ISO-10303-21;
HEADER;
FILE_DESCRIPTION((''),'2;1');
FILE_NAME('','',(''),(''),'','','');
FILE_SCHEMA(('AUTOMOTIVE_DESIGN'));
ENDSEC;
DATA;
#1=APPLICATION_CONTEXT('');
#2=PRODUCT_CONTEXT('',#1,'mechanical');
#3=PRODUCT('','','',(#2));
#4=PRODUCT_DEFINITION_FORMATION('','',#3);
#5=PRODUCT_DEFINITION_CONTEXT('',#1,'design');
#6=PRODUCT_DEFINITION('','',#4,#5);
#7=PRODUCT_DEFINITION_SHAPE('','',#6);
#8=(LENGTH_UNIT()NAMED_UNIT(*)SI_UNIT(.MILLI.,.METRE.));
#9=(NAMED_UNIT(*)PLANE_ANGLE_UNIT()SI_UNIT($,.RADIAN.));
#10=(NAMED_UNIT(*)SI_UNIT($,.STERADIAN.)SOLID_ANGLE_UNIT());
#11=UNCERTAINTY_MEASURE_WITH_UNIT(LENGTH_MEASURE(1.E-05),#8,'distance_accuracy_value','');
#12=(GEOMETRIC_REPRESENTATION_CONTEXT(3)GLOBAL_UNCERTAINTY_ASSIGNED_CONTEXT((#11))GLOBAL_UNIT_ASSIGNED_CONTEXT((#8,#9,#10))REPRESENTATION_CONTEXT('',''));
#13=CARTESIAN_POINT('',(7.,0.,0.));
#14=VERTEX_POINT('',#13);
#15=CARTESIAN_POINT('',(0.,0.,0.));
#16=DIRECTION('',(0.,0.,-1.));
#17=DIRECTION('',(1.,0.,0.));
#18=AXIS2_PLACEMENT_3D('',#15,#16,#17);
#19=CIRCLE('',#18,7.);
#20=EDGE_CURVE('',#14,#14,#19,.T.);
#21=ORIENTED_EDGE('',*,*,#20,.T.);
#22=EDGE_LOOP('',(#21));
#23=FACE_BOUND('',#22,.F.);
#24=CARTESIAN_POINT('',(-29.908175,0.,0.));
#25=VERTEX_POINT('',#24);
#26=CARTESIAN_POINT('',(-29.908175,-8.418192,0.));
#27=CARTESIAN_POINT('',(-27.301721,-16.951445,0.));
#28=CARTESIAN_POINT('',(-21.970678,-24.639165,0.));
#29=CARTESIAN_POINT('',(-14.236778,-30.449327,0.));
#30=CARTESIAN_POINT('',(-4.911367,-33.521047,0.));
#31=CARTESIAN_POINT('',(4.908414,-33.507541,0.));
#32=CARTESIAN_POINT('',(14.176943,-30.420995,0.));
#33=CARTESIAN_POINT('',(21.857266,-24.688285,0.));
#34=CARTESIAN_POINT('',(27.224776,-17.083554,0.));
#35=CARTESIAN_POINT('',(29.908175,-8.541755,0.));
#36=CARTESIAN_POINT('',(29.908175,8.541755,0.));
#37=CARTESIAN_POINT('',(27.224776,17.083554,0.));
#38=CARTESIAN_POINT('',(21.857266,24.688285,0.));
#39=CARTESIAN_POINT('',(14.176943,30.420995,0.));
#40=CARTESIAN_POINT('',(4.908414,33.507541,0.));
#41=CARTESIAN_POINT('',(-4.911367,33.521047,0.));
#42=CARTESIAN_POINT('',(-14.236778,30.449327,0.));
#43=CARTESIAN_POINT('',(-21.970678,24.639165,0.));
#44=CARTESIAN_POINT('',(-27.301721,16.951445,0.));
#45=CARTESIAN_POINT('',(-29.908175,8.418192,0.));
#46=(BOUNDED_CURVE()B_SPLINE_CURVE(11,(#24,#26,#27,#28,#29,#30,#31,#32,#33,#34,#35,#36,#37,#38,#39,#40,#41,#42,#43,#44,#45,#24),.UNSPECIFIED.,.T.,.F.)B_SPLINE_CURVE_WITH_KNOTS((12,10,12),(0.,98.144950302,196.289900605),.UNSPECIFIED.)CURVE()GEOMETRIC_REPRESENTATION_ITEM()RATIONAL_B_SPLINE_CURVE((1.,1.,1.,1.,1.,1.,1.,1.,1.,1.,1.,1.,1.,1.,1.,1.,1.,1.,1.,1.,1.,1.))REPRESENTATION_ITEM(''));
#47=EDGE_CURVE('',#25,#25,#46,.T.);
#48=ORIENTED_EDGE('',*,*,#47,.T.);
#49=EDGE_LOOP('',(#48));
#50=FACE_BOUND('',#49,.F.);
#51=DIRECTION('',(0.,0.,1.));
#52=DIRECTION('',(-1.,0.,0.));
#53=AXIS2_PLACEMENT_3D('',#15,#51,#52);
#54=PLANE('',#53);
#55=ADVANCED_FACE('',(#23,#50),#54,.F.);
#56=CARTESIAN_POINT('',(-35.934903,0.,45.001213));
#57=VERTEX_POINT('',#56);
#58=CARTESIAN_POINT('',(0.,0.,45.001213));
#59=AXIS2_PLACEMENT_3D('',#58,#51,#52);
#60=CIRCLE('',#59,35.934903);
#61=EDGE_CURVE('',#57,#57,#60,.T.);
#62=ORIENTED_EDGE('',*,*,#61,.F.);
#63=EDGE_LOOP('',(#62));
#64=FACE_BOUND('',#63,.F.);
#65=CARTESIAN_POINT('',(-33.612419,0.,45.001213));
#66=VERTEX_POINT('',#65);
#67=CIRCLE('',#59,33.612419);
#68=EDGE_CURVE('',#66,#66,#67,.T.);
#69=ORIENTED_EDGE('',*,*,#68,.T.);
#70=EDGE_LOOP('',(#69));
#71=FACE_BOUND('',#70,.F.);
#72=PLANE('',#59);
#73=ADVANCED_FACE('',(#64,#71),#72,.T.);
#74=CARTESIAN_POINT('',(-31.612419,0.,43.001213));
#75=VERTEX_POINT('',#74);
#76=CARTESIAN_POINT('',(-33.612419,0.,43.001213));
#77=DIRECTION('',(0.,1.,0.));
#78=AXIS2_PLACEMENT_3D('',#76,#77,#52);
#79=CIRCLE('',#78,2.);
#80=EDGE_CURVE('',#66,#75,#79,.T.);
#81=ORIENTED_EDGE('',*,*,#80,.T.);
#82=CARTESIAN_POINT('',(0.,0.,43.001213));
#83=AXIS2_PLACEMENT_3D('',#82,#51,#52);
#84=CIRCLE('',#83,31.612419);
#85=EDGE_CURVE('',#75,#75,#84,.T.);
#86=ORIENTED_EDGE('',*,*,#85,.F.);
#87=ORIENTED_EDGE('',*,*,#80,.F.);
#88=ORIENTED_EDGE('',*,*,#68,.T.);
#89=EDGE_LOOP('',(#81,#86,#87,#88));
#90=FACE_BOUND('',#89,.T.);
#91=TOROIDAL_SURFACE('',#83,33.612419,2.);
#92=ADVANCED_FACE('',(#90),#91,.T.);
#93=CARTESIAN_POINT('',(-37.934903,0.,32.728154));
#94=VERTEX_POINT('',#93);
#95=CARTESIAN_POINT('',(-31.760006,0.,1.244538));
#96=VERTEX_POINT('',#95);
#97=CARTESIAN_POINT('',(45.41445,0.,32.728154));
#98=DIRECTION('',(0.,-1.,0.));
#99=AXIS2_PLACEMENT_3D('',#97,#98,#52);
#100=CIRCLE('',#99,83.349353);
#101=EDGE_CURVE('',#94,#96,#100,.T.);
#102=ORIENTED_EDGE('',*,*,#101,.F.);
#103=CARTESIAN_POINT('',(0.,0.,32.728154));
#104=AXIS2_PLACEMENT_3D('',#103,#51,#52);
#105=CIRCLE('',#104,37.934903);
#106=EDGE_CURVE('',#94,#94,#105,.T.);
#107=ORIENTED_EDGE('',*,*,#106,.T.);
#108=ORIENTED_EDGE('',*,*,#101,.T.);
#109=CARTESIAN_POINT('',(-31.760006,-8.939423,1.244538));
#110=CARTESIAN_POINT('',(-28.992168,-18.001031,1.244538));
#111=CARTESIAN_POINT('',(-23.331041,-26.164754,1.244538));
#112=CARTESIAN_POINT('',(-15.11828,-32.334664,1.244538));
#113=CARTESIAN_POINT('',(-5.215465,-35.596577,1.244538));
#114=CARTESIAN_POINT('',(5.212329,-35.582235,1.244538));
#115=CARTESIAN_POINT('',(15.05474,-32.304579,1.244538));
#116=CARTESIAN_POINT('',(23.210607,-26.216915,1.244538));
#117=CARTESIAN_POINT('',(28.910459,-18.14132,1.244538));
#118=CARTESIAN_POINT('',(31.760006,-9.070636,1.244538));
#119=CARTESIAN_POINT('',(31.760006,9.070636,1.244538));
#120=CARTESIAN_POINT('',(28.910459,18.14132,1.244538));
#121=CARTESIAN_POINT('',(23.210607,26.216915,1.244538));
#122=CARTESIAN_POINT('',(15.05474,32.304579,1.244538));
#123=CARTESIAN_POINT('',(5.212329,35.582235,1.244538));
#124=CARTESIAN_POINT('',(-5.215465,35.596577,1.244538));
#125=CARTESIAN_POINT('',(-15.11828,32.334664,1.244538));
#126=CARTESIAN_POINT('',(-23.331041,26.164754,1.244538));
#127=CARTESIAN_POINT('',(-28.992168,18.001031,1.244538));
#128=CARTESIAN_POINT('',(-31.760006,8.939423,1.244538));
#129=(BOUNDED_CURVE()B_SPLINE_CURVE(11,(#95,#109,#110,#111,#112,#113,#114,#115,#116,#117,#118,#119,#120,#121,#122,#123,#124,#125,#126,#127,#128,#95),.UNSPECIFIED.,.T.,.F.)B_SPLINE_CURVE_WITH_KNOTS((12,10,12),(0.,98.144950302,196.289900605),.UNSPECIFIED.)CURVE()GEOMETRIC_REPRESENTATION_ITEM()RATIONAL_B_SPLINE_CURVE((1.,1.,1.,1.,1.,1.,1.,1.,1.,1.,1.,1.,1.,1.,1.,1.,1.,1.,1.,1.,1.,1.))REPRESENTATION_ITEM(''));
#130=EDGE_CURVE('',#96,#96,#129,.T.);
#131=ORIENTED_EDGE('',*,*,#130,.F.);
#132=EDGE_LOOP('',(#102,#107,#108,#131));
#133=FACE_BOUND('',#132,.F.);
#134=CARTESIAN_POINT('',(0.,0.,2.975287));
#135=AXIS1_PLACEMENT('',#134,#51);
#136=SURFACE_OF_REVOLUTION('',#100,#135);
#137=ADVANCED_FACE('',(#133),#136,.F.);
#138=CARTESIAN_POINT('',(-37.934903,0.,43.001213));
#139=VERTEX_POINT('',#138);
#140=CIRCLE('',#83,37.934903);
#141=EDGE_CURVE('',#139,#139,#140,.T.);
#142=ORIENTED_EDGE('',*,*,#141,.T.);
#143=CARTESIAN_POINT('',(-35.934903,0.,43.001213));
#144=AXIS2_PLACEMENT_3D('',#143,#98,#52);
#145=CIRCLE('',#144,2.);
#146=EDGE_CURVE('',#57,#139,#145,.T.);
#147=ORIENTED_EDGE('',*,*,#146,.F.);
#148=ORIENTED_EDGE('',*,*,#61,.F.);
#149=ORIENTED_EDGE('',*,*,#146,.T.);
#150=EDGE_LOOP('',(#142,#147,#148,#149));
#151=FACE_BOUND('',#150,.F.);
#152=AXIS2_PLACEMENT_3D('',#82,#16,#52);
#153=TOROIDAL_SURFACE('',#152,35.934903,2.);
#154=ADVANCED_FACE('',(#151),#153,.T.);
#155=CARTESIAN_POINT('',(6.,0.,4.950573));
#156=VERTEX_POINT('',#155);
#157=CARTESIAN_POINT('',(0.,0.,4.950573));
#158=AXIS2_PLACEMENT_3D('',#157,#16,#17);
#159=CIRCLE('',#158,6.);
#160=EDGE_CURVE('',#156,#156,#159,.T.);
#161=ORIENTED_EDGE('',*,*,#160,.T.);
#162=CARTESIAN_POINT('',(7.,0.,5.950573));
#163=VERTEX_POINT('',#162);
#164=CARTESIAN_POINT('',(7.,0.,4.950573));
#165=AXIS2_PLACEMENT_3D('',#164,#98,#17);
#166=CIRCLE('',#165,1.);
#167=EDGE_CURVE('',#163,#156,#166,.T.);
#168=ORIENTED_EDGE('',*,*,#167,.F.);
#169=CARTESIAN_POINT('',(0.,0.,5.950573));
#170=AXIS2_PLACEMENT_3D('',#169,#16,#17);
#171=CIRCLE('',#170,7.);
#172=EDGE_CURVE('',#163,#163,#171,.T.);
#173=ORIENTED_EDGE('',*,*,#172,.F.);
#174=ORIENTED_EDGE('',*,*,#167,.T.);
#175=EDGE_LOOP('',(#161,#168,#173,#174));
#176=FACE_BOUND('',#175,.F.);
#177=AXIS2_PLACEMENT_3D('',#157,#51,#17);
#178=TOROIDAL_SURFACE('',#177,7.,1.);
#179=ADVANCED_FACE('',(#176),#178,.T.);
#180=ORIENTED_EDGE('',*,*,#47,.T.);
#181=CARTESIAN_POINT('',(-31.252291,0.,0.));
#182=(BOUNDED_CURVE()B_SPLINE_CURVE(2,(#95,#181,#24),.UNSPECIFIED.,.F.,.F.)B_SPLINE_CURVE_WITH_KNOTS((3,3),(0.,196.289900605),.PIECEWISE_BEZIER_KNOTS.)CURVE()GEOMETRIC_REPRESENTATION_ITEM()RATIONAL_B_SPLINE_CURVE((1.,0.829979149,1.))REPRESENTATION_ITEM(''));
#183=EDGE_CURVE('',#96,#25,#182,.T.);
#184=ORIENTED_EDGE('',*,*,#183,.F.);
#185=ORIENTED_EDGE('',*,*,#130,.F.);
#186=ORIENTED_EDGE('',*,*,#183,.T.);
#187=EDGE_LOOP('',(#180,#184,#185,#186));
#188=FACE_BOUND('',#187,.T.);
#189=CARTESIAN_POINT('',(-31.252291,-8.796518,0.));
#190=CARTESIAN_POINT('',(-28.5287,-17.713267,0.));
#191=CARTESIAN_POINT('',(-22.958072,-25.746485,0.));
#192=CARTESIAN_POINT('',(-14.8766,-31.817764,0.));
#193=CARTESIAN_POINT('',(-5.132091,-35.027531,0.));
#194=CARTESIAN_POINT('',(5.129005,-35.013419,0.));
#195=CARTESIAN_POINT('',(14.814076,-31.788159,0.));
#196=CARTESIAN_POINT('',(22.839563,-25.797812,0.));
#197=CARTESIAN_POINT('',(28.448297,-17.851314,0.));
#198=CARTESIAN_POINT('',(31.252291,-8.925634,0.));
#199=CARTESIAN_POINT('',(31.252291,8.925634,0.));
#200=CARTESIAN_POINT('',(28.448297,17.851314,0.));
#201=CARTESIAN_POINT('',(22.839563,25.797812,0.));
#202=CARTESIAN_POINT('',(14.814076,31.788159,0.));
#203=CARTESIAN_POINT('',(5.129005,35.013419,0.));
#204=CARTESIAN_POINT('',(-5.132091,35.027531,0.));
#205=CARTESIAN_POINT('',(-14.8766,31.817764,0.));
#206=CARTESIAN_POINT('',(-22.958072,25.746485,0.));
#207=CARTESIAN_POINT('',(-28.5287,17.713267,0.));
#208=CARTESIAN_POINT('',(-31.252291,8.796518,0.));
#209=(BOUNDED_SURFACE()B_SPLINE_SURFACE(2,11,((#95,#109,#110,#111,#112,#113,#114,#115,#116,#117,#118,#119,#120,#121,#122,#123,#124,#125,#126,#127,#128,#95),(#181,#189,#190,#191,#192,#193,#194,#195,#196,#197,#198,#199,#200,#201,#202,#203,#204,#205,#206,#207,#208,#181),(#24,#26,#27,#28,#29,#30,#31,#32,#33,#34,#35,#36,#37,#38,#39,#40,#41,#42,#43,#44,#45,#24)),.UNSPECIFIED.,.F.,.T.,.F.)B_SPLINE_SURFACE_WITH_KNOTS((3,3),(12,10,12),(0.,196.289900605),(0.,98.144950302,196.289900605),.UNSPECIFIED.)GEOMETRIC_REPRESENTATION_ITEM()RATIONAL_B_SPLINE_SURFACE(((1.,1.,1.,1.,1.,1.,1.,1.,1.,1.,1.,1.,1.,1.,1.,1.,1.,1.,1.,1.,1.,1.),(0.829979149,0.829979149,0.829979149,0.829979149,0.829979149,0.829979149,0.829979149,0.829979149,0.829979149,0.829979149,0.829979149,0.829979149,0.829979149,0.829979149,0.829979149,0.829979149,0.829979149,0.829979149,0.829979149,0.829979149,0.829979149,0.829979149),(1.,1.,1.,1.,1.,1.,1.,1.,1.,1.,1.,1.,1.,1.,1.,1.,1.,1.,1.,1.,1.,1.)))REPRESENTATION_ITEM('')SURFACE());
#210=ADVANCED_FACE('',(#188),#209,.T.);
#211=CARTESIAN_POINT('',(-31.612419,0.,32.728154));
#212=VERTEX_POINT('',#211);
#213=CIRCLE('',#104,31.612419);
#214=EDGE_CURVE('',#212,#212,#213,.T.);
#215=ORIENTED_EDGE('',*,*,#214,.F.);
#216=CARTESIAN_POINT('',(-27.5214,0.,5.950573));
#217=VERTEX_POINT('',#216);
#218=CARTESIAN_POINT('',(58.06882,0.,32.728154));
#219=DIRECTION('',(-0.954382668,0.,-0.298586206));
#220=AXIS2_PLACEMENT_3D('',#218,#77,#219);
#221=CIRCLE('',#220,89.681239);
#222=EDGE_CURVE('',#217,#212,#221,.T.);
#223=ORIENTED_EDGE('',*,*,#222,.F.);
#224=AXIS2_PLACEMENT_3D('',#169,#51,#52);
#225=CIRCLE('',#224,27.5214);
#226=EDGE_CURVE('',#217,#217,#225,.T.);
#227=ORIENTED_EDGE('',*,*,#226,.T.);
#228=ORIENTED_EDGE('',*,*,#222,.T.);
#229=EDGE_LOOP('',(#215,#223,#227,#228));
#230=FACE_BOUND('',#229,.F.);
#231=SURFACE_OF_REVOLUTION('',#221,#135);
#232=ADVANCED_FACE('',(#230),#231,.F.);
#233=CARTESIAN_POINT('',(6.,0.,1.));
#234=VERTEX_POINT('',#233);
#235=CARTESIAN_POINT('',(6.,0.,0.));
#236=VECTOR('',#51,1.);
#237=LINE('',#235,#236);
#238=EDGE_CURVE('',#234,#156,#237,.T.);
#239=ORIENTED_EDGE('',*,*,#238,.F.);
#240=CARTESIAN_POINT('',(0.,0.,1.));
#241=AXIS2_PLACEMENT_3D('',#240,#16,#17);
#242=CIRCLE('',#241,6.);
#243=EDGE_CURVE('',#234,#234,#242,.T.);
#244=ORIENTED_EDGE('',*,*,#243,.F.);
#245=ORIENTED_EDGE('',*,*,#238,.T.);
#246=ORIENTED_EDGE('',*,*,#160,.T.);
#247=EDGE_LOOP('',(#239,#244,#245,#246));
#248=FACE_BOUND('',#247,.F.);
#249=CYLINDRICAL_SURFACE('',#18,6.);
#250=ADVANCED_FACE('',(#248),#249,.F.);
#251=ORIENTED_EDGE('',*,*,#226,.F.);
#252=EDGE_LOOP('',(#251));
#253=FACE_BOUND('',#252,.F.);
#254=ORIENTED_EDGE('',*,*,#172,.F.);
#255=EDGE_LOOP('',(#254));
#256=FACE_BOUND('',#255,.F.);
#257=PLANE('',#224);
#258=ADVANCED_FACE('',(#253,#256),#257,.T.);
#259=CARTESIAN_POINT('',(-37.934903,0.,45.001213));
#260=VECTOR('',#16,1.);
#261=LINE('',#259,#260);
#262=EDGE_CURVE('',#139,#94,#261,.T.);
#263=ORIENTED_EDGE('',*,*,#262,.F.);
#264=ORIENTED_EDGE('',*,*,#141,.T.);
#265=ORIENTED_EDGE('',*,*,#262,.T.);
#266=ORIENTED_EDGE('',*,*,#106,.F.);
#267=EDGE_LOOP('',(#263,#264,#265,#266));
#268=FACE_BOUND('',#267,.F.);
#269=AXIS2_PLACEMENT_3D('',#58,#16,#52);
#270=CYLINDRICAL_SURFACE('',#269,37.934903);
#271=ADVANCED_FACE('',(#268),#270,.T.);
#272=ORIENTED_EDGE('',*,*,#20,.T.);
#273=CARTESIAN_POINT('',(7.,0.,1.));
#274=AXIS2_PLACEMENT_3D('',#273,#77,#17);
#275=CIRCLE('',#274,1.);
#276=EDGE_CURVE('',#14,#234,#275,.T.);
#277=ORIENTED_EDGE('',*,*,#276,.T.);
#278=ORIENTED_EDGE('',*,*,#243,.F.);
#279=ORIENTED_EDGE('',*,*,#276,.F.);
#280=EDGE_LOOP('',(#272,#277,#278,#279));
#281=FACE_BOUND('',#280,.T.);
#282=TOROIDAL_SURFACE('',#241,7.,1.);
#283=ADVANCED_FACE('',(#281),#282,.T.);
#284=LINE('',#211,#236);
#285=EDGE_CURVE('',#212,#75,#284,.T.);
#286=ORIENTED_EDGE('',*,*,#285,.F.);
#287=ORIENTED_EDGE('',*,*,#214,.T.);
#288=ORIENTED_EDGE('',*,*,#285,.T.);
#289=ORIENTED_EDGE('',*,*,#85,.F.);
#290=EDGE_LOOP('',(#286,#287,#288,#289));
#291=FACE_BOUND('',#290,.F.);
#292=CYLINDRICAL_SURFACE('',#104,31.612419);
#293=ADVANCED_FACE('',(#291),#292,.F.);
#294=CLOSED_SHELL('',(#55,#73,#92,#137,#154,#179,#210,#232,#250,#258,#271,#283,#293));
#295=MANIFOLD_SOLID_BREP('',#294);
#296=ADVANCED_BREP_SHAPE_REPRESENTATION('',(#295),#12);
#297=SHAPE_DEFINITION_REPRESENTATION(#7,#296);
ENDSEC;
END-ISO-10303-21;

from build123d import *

# Parameters (mm, degrees)
F2_R     = 2
F3_R     = 2
F4_R     = 6
F5_DEPTH = 25
F6_R     = 1


with BuildPart() as f1:
    # F0 (on Front) → F1 (revolve)
    with BuildSketch(Plane.XZ):
        with BuildLine():
            Line((-31.612418592, 45.0012125075), (-37.9349030554, 45.0012125075))
            Line((-37.9349030554, 45.0012125075), (-37.9349030554, 32.7281542122))
            ThreePointArc((-37.9349030554, 32.7281542122), (-36.244155821, 16.0252577282), (-31.2405079603, 0))
            Line((-31.2405079603, 0), (0, 0))
            Line((0, 0), (0, 5.9505733661))
            Line((0, 5.9505733661), (-27.5213997811, 5.9505733661))
            ThreePointArc((-27.5213997811, 5.9505733661), (-30.5837644991, 19.1840109126), (-31.612418592, 32.7281542122))
            Line((-31.612418592, 32.7281542122), (-31.612418592, 45.0012125075))
        make_face()
    revolve(axis=Axis((0, 0, 2.9752866831), (0, 0, 1)))

    # F2
    f2_edges = [f1.edges().sort_by_distance(p)[0] for p in [
        (31.612419, 0, 45.001213),
    ]]
    fillet(f2_edges, radius=F2_R)

    # F3
    f3_edges = [f1.edges().sort_by_distance(p)[0] for p in [
        (37.934903, 0, 45.001213),
        (31.240508, 0, 0),
    ]]
    fillet(f3_edges, radius=F3_R)

    # F4 (on face) → F5 (cut)
    with BuildSketch(Plane(origin=(0, 0, 0), x_dir=(1, 0, 0), z_dir=(0, 0, -1))):
        Circle(F4_R)
    extrude(amount=-F5_DEPTH, mode=Mode.SUBTRACT)

    # F6
    f6_edges = [f1.edges().sort_by_distance(p)[0] for p in [
        (-6, 0, 0),
        (-6, 0, 5.950573),
    ]]
    fillet(f6_edges, radius=F6_R)


solid = f1.part
